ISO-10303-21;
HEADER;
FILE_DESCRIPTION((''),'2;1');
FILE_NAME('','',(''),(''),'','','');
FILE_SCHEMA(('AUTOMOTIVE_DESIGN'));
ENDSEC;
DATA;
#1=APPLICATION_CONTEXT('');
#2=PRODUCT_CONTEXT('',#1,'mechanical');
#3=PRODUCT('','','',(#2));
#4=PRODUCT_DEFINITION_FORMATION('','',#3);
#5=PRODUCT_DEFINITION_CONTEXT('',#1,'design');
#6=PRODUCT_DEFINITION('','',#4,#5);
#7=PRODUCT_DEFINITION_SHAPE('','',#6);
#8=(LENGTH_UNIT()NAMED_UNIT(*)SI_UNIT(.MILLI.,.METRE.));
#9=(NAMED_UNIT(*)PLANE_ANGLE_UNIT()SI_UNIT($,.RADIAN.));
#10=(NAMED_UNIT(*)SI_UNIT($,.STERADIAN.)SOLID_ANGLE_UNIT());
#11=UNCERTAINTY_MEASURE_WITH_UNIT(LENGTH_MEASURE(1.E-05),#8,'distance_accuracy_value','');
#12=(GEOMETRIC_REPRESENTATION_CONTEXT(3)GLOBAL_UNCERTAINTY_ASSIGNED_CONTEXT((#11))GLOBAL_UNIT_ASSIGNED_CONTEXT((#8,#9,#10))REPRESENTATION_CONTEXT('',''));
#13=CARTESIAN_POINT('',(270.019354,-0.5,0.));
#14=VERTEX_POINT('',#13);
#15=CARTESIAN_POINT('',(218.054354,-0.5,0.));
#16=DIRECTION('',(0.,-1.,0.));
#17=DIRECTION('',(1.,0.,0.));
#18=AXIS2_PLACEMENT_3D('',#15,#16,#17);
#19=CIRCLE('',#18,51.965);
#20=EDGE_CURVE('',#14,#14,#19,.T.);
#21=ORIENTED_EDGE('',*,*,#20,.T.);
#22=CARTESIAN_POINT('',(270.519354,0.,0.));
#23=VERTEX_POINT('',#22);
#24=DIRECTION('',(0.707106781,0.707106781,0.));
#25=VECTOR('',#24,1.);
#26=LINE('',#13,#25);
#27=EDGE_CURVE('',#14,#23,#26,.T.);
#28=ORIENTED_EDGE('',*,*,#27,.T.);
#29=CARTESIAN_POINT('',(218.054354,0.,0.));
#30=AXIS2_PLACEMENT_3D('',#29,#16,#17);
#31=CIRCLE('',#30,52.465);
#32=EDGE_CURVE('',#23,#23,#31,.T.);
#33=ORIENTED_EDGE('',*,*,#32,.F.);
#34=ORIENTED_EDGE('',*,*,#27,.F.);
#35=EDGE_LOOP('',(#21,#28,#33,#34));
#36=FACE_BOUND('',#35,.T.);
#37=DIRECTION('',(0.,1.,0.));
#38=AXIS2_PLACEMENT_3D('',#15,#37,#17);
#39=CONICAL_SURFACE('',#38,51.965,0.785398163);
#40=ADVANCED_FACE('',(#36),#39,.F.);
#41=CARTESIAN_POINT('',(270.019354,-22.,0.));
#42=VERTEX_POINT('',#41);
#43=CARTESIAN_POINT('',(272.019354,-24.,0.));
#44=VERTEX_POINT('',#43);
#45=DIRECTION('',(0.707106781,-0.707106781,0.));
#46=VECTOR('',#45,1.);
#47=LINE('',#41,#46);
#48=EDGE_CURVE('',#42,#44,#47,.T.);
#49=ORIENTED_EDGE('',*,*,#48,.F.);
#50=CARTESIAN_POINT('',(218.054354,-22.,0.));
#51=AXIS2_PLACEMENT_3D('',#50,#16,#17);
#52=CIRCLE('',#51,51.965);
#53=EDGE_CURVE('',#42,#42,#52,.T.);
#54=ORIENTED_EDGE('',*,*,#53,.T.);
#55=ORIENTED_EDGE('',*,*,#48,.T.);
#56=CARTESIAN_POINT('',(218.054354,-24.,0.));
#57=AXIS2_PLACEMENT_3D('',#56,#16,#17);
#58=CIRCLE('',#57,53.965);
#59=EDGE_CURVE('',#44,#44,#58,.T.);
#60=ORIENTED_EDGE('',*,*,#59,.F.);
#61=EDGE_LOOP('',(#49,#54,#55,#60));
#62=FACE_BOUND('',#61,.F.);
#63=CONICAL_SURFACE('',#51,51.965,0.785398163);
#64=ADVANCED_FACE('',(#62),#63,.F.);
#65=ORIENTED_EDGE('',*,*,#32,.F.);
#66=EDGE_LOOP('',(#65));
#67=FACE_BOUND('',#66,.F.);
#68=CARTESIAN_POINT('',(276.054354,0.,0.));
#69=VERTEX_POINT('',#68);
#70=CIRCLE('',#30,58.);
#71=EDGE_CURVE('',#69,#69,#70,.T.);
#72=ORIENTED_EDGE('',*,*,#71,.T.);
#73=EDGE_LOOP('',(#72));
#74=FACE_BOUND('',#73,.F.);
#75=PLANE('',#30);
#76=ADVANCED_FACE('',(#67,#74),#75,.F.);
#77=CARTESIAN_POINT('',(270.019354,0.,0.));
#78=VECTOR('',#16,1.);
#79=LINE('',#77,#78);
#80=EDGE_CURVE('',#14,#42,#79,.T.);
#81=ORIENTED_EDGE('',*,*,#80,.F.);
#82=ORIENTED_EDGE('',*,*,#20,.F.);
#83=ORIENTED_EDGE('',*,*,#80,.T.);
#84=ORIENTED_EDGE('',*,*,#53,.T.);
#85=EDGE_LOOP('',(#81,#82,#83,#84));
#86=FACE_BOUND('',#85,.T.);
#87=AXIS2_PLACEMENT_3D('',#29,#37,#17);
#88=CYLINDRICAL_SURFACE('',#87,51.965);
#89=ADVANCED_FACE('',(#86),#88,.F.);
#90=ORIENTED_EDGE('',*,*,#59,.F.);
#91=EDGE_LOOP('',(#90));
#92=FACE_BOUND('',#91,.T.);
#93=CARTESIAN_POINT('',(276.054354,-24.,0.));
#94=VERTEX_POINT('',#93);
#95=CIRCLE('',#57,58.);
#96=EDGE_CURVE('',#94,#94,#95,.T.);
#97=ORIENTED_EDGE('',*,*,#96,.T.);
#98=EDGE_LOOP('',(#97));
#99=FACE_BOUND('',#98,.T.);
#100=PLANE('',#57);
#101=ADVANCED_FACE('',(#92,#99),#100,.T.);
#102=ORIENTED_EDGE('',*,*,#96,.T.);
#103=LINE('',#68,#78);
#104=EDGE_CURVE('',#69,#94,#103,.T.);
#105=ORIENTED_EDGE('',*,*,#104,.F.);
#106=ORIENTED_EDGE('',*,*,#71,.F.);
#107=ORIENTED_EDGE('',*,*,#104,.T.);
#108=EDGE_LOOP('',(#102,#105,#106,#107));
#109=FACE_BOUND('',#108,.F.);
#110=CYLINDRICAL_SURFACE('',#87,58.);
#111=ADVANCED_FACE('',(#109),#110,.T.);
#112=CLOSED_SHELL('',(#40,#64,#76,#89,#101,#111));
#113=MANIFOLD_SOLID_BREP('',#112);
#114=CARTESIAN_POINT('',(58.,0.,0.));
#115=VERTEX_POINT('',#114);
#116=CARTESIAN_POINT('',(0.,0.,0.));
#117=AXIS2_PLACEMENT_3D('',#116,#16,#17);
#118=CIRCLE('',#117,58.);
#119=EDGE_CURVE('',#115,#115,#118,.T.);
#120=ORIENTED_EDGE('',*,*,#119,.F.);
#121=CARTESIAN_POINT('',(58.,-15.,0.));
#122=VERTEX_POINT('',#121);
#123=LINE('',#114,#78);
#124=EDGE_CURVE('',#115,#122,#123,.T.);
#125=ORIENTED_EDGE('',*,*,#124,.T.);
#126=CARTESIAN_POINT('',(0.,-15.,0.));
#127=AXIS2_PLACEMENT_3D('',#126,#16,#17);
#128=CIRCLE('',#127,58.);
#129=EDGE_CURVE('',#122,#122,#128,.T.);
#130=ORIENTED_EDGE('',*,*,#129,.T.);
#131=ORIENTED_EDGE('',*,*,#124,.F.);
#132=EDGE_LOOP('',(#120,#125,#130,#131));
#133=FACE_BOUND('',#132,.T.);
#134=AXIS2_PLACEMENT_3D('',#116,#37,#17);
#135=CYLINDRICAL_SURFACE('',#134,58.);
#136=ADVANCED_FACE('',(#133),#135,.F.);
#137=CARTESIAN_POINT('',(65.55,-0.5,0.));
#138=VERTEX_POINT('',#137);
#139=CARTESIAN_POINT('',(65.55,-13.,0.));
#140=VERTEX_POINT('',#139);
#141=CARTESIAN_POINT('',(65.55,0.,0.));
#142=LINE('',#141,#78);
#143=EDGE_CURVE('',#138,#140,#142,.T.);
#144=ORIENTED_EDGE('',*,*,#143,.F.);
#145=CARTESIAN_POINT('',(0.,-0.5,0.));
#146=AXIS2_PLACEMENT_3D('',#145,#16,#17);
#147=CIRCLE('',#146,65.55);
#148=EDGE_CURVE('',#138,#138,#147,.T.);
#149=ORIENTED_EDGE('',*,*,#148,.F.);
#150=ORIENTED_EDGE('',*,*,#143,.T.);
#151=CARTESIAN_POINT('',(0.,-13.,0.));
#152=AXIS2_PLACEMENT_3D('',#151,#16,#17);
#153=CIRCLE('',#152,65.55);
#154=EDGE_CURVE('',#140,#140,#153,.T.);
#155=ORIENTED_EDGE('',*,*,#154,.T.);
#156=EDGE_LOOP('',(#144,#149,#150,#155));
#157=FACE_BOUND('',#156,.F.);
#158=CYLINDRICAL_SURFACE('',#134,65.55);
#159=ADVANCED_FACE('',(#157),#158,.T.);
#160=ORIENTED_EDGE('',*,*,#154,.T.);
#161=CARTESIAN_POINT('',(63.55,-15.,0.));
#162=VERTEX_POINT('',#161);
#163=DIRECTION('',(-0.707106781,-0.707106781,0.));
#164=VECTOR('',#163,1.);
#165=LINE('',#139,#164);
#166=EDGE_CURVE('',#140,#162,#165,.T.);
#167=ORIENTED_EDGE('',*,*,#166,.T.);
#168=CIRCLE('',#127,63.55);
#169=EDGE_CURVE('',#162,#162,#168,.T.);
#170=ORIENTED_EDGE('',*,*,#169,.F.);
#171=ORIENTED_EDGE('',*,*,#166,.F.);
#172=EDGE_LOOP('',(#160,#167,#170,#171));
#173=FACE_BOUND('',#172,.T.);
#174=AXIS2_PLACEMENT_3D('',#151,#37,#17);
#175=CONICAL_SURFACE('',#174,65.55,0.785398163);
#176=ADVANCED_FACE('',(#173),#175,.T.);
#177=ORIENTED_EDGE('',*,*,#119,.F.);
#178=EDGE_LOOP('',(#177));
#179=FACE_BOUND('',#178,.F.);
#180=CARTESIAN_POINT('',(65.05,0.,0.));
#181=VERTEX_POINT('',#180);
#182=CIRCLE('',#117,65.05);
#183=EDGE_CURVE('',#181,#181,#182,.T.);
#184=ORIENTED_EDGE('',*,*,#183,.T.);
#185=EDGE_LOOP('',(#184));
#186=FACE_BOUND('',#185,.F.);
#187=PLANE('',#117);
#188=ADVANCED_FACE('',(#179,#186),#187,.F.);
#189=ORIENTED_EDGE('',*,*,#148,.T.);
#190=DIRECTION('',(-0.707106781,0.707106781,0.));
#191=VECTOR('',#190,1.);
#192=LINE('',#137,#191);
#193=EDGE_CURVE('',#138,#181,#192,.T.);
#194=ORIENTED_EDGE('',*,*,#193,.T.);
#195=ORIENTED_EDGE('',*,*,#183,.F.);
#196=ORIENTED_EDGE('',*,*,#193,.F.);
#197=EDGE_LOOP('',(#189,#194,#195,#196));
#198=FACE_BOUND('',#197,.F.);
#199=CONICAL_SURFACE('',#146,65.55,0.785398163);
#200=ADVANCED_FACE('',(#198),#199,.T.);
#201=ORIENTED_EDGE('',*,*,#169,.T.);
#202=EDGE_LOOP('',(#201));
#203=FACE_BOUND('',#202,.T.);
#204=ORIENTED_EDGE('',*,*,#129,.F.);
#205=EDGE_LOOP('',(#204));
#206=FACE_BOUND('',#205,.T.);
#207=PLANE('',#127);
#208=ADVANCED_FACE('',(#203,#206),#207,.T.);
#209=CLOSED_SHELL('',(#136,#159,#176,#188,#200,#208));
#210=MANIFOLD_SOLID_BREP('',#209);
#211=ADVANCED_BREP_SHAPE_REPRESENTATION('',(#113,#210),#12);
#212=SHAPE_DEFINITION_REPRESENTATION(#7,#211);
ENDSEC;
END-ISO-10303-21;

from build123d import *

# Parameters (mm, degrees)
F1_R     = 58
F1_R_2   = 51.965
F2_DEPTH = 24
F3_SIZE  = 2
F4_SIZE  = 0.5
F0_R     = 65.55
F0_R_2   = 58
F5_DEPTH = 15
F6_SIZE  = 2
F7_SIZE  = 0.5


with BuildPart() as f2:
    # F1 (on Front) → F2 (new body)
    with BuildSketch(Plane.XZ):
        with Locations((218.054354, 0)):
            Circle(F1_R)
        with Locations((218.054354, 0)):
            Circle(F1_R_2, mode=Mode.SUBTRACT)
    extrude(amount=F2_DEPTH)

    # F3
    f3_edges = [f2.edges().sort_by_distance(p)[0] for p in [
        (166.089354, -24, 0),
    ]]
    chamfer(f3_edges, length=F3_SIZE)

    # F4
    f4_edges = [f2.edges().sort_by_distance(p)[0] for p in [
        (166.089354, 0, 0),
    ]]
    chamfer(f4_edges, length=F4_SIZE)


with BuildPart() as f5:
    # F0 (on Front) → F5 (new body)
    with BuildSketch(Plane.XZ):
        Circle(F0_R)
        Circle(F0_R_2, mode=Mode.SUBTRACT)
    extrude(amount=F5_DEPTH)

    # F6
    f6_edges = [f5.edges().sort_by_distance(p)[0] for p in [
        (-65.55, -15, 0),
    ]]
    chamfer(f6_edges, length=F6_SIZE)

    # F7
    f7_edges = [f5.edges().sort_by_distance(p)[0] for p in [
        (-65.55, 0, 0),
    ]]
    chamfer(f7_edges, length=F7_SIZE)


solid = Compound([f2.part, f5.part])
